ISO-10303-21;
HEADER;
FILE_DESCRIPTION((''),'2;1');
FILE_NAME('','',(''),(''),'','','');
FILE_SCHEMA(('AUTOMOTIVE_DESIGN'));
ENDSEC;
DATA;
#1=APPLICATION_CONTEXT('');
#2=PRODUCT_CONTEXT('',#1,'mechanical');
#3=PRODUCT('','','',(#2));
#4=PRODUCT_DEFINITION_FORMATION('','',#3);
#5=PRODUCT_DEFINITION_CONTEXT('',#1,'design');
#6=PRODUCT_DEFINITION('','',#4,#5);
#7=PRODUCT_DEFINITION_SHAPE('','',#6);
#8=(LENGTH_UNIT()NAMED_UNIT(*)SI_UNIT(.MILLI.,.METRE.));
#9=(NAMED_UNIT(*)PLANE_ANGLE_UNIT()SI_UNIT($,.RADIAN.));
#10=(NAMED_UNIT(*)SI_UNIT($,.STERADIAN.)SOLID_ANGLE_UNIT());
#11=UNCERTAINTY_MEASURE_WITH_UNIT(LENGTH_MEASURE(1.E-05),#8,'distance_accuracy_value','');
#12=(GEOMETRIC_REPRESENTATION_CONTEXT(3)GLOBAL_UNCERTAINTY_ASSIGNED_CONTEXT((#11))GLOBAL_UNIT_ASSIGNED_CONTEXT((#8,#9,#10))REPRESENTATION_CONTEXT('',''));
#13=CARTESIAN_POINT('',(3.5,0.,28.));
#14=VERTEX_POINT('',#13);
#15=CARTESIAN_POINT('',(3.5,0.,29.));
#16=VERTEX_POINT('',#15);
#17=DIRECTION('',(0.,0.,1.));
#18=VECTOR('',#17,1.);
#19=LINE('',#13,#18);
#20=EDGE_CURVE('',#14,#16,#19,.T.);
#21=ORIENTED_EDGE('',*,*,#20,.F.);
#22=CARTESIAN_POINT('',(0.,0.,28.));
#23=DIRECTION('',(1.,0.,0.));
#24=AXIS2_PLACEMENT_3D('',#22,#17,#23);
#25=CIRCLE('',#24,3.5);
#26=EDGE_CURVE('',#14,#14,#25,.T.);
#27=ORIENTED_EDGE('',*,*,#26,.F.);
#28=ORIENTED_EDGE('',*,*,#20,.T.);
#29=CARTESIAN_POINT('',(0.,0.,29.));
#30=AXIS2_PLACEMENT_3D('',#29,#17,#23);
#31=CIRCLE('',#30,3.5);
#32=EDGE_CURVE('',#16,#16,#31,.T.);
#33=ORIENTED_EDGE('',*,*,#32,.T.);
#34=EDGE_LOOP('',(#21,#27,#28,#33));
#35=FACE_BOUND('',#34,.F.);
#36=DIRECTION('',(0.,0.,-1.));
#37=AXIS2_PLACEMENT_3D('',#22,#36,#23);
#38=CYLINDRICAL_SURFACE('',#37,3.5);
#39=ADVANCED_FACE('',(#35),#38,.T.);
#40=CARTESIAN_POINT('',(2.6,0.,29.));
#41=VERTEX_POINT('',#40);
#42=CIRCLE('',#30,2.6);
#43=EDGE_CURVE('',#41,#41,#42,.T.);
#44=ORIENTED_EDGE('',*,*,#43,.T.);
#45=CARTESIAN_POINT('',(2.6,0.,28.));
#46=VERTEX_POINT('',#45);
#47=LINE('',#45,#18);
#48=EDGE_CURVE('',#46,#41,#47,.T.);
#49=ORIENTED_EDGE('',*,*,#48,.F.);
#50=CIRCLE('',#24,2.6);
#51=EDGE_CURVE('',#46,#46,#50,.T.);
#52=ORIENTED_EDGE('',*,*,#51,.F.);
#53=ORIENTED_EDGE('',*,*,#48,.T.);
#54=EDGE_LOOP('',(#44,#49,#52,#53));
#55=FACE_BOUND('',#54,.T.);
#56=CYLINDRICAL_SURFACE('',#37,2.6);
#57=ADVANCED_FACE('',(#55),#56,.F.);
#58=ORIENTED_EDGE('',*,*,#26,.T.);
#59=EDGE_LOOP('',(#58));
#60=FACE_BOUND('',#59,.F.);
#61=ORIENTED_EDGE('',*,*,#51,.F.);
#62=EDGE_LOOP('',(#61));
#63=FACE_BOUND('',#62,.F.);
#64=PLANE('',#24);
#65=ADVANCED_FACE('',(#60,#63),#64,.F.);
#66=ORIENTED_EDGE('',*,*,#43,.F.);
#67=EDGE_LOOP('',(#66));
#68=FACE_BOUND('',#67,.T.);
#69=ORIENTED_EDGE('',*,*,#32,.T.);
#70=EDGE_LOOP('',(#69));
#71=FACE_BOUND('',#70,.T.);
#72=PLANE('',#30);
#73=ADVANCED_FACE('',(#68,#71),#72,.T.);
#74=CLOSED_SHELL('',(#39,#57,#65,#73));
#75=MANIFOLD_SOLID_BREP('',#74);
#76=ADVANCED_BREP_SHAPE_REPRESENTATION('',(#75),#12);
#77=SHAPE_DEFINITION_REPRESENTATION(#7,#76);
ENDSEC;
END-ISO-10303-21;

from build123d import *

# Parameters (mm, degrees)
CYLINDER045_R     = 2.6
CYLINDER045_DEPTH = 1
CYLINDER046_R     = 3.5
CYLINDER046_DEPTH = 1


with BuildPart() as cylinder045:
    # Cylinder045 → Cylinder045 (new body)
    with BuildSketch(Plane.XY):
        Circle(CYLINDER045_R)
    extrude(amount=CYLINDER045_DEPTH)


with BuildPart() as washer:
    # Cylinder046 → Cylinder046 (new body)
    with BuildSketch(Plane.XY):
        Circle(CYLINDER046_R)
    extrude(amount=CYLINDER046_DEPTH)

    # Cut022020016032007036030: cut Cylinder045
    add(cylinder045.part, mode=Mode.SUBTRACT)


with BuildPart() as washer_1:
    # Cut022020016032007036030 placement: moved
    add(washer.part.moved(Location((0, 0, 28))))


solid = washer_1.part
